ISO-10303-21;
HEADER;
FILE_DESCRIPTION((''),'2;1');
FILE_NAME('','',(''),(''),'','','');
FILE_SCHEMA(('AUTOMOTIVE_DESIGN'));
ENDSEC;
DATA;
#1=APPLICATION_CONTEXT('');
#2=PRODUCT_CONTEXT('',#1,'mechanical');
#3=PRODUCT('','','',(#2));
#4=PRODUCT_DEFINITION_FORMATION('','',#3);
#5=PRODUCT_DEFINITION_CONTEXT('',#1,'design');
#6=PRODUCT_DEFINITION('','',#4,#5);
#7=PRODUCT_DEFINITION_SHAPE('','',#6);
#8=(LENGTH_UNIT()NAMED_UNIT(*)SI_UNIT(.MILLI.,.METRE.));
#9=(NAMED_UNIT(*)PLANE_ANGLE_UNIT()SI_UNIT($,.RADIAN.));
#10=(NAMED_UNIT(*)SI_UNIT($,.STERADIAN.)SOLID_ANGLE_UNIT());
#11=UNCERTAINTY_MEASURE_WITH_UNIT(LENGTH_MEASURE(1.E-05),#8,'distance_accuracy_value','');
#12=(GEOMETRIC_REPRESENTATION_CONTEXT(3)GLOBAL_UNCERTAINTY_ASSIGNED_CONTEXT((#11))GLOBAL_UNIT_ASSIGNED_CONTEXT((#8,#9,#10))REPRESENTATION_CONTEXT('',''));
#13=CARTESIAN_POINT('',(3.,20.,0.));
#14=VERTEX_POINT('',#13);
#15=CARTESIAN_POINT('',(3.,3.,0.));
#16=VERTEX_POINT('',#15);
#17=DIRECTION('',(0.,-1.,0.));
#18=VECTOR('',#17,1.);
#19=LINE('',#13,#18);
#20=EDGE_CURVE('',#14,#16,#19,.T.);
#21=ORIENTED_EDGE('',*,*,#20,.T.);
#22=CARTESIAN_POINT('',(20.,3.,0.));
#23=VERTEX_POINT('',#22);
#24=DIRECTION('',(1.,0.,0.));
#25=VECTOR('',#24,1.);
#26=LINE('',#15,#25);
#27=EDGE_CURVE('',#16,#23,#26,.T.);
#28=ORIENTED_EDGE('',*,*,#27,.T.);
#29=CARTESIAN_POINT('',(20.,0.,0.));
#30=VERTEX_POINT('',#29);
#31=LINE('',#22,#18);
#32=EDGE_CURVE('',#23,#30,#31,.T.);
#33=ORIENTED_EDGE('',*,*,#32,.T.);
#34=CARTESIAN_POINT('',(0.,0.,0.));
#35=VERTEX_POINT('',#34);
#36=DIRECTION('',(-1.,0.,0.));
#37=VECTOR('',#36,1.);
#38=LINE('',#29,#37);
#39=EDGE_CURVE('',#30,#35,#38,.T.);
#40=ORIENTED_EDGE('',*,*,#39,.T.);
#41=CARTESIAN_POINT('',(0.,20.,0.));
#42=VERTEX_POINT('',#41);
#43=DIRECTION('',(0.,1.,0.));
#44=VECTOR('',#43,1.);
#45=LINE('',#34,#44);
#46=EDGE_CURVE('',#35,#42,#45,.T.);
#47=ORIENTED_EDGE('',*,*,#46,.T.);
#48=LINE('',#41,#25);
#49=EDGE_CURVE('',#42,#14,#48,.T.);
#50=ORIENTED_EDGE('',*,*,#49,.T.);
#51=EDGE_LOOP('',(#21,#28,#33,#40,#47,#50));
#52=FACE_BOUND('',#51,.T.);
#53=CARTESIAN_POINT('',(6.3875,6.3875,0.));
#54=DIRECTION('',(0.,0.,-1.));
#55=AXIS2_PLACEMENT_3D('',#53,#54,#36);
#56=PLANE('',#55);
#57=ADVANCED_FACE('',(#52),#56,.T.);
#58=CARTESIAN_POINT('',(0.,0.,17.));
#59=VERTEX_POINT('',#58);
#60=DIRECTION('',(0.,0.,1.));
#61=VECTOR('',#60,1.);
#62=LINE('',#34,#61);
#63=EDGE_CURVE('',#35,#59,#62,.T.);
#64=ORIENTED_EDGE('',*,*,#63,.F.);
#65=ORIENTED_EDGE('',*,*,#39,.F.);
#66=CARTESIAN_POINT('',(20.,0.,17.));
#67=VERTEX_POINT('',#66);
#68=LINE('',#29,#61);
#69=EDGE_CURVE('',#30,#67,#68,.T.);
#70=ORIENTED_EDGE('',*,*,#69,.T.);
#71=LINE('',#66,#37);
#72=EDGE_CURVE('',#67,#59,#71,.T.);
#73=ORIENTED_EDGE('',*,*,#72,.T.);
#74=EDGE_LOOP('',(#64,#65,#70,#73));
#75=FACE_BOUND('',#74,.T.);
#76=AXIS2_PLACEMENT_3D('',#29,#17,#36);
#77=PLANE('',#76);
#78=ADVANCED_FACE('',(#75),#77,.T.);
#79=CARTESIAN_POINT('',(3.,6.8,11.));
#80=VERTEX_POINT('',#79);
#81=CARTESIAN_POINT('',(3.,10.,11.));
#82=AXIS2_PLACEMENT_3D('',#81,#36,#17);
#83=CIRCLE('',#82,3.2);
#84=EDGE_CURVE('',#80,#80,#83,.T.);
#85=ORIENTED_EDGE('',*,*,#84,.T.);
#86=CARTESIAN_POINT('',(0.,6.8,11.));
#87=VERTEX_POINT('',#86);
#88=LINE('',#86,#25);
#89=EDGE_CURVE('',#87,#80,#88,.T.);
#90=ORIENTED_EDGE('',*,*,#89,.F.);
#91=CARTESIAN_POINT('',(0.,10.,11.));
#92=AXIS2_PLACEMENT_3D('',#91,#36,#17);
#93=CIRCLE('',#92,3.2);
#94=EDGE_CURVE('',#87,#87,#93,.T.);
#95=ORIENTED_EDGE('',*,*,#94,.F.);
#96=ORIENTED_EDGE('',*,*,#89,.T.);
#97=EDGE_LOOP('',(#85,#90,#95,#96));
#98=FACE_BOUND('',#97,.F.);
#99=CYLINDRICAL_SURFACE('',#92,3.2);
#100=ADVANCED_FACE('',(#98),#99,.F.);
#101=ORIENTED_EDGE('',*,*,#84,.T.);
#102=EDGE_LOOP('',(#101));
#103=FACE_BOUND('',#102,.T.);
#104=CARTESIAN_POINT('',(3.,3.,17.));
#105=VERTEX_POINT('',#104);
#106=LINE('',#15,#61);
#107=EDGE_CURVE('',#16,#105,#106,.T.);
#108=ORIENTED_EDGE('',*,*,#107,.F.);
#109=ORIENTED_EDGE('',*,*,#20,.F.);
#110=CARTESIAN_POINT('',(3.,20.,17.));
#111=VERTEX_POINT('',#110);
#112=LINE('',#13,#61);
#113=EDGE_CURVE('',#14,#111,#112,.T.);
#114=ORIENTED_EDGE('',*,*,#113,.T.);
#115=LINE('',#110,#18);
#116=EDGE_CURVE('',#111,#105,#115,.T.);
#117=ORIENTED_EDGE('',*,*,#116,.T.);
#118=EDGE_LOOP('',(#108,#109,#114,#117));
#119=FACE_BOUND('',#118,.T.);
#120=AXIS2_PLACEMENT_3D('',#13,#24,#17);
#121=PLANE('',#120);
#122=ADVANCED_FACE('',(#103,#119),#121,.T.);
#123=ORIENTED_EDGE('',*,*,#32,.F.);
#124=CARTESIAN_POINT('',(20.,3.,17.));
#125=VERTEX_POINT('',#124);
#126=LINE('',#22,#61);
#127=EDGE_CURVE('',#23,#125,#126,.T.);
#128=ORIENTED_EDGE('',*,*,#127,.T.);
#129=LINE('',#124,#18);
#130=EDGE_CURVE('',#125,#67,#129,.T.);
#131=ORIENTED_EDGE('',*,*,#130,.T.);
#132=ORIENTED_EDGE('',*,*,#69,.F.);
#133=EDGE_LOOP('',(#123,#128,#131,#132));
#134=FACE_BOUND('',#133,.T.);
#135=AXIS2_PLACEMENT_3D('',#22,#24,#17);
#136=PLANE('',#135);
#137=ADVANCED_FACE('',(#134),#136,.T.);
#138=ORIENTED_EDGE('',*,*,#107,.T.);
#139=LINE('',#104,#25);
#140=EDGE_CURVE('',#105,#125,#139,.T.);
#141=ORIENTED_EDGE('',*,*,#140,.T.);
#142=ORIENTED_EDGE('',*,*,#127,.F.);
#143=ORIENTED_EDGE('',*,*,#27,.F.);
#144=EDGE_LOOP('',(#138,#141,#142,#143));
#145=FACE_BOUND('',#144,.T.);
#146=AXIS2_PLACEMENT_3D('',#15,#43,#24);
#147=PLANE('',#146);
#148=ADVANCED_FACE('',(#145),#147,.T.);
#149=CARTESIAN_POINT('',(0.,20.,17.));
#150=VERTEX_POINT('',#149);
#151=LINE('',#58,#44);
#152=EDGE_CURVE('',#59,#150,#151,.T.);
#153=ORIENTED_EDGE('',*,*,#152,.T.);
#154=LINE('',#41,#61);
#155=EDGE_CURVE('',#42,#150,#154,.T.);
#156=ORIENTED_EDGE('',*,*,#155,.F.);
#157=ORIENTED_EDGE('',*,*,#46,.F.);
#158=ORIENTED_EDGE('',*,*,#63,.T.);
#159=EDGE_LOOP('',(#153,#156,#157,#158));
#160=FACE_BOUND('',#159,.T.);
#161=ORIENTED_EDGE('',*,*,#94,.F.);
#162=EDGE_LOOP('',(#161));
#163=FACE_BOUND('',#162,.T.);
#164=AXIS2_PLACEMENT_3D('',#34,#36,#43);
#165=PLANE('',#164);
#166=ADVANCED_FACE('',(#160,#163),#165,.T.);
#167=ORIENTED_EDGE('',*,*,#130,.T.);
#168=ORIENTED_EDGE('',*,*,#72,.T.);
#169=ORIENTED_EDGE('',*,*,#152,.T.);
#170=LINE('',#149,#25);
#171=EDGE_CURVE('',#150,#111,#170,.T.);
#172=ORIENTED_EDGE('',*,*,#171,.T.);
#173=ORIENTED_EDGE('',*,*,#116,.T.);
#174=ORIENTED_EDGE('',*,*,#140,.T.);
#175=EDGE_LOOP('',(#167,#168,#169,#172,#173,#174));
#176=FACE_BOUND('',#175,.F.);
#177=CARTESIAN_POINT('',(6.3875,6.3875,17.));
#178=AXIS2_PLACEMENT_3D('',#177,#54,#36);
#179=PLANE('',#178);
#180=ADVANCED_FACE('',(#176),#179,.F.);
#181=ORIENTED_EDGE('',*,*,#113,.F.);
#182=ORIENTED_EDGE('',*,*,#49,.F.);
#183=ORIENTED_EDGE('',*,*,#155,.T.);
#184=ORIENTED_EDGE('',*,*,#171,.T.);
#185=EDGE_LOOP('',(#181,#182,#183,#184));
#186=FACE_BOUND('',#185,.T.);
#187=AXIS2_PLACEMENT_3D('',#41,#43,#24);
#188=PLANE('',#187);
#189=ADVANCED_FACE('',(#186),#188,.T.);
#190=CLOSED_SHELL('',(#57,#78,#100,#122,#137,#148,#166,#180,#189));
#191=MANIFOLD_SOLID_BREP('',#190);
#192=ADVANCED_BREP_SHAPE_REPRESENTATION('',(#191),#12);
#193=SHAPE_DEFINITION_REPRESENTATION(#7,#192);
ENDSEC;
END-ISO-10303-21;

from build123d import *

# Parameters (mm, degrees)
PAD_DEPTH    = 17
SKETCH001_R  = 3.2
POCKET_DEPTH = 5


with BuildPart() as part:
    # Sketch → Pad (new body)
    with BuildSketch(Plane.XY):
        Polygon((0, 0), (0, 20), (3, 20), (3, 3), (20, 3), (20, 0), align=None)
    extrude(amount=PAD_DEPTH)

    # Sketch001 (on Face1 of Pad) → Pocket (cut)
    with BuildSketch(Plane(origin=(0, 0, 0), x_dir=(0, -1, 0), z_dir=(-1, 0, 0))):
        with Locations((-10, 11)):
            Circle(SKETCH001_R)
    extrude(amount=-POCKET_DEPTH, mode=Mode.SUBTRACT)


solid = part.part
